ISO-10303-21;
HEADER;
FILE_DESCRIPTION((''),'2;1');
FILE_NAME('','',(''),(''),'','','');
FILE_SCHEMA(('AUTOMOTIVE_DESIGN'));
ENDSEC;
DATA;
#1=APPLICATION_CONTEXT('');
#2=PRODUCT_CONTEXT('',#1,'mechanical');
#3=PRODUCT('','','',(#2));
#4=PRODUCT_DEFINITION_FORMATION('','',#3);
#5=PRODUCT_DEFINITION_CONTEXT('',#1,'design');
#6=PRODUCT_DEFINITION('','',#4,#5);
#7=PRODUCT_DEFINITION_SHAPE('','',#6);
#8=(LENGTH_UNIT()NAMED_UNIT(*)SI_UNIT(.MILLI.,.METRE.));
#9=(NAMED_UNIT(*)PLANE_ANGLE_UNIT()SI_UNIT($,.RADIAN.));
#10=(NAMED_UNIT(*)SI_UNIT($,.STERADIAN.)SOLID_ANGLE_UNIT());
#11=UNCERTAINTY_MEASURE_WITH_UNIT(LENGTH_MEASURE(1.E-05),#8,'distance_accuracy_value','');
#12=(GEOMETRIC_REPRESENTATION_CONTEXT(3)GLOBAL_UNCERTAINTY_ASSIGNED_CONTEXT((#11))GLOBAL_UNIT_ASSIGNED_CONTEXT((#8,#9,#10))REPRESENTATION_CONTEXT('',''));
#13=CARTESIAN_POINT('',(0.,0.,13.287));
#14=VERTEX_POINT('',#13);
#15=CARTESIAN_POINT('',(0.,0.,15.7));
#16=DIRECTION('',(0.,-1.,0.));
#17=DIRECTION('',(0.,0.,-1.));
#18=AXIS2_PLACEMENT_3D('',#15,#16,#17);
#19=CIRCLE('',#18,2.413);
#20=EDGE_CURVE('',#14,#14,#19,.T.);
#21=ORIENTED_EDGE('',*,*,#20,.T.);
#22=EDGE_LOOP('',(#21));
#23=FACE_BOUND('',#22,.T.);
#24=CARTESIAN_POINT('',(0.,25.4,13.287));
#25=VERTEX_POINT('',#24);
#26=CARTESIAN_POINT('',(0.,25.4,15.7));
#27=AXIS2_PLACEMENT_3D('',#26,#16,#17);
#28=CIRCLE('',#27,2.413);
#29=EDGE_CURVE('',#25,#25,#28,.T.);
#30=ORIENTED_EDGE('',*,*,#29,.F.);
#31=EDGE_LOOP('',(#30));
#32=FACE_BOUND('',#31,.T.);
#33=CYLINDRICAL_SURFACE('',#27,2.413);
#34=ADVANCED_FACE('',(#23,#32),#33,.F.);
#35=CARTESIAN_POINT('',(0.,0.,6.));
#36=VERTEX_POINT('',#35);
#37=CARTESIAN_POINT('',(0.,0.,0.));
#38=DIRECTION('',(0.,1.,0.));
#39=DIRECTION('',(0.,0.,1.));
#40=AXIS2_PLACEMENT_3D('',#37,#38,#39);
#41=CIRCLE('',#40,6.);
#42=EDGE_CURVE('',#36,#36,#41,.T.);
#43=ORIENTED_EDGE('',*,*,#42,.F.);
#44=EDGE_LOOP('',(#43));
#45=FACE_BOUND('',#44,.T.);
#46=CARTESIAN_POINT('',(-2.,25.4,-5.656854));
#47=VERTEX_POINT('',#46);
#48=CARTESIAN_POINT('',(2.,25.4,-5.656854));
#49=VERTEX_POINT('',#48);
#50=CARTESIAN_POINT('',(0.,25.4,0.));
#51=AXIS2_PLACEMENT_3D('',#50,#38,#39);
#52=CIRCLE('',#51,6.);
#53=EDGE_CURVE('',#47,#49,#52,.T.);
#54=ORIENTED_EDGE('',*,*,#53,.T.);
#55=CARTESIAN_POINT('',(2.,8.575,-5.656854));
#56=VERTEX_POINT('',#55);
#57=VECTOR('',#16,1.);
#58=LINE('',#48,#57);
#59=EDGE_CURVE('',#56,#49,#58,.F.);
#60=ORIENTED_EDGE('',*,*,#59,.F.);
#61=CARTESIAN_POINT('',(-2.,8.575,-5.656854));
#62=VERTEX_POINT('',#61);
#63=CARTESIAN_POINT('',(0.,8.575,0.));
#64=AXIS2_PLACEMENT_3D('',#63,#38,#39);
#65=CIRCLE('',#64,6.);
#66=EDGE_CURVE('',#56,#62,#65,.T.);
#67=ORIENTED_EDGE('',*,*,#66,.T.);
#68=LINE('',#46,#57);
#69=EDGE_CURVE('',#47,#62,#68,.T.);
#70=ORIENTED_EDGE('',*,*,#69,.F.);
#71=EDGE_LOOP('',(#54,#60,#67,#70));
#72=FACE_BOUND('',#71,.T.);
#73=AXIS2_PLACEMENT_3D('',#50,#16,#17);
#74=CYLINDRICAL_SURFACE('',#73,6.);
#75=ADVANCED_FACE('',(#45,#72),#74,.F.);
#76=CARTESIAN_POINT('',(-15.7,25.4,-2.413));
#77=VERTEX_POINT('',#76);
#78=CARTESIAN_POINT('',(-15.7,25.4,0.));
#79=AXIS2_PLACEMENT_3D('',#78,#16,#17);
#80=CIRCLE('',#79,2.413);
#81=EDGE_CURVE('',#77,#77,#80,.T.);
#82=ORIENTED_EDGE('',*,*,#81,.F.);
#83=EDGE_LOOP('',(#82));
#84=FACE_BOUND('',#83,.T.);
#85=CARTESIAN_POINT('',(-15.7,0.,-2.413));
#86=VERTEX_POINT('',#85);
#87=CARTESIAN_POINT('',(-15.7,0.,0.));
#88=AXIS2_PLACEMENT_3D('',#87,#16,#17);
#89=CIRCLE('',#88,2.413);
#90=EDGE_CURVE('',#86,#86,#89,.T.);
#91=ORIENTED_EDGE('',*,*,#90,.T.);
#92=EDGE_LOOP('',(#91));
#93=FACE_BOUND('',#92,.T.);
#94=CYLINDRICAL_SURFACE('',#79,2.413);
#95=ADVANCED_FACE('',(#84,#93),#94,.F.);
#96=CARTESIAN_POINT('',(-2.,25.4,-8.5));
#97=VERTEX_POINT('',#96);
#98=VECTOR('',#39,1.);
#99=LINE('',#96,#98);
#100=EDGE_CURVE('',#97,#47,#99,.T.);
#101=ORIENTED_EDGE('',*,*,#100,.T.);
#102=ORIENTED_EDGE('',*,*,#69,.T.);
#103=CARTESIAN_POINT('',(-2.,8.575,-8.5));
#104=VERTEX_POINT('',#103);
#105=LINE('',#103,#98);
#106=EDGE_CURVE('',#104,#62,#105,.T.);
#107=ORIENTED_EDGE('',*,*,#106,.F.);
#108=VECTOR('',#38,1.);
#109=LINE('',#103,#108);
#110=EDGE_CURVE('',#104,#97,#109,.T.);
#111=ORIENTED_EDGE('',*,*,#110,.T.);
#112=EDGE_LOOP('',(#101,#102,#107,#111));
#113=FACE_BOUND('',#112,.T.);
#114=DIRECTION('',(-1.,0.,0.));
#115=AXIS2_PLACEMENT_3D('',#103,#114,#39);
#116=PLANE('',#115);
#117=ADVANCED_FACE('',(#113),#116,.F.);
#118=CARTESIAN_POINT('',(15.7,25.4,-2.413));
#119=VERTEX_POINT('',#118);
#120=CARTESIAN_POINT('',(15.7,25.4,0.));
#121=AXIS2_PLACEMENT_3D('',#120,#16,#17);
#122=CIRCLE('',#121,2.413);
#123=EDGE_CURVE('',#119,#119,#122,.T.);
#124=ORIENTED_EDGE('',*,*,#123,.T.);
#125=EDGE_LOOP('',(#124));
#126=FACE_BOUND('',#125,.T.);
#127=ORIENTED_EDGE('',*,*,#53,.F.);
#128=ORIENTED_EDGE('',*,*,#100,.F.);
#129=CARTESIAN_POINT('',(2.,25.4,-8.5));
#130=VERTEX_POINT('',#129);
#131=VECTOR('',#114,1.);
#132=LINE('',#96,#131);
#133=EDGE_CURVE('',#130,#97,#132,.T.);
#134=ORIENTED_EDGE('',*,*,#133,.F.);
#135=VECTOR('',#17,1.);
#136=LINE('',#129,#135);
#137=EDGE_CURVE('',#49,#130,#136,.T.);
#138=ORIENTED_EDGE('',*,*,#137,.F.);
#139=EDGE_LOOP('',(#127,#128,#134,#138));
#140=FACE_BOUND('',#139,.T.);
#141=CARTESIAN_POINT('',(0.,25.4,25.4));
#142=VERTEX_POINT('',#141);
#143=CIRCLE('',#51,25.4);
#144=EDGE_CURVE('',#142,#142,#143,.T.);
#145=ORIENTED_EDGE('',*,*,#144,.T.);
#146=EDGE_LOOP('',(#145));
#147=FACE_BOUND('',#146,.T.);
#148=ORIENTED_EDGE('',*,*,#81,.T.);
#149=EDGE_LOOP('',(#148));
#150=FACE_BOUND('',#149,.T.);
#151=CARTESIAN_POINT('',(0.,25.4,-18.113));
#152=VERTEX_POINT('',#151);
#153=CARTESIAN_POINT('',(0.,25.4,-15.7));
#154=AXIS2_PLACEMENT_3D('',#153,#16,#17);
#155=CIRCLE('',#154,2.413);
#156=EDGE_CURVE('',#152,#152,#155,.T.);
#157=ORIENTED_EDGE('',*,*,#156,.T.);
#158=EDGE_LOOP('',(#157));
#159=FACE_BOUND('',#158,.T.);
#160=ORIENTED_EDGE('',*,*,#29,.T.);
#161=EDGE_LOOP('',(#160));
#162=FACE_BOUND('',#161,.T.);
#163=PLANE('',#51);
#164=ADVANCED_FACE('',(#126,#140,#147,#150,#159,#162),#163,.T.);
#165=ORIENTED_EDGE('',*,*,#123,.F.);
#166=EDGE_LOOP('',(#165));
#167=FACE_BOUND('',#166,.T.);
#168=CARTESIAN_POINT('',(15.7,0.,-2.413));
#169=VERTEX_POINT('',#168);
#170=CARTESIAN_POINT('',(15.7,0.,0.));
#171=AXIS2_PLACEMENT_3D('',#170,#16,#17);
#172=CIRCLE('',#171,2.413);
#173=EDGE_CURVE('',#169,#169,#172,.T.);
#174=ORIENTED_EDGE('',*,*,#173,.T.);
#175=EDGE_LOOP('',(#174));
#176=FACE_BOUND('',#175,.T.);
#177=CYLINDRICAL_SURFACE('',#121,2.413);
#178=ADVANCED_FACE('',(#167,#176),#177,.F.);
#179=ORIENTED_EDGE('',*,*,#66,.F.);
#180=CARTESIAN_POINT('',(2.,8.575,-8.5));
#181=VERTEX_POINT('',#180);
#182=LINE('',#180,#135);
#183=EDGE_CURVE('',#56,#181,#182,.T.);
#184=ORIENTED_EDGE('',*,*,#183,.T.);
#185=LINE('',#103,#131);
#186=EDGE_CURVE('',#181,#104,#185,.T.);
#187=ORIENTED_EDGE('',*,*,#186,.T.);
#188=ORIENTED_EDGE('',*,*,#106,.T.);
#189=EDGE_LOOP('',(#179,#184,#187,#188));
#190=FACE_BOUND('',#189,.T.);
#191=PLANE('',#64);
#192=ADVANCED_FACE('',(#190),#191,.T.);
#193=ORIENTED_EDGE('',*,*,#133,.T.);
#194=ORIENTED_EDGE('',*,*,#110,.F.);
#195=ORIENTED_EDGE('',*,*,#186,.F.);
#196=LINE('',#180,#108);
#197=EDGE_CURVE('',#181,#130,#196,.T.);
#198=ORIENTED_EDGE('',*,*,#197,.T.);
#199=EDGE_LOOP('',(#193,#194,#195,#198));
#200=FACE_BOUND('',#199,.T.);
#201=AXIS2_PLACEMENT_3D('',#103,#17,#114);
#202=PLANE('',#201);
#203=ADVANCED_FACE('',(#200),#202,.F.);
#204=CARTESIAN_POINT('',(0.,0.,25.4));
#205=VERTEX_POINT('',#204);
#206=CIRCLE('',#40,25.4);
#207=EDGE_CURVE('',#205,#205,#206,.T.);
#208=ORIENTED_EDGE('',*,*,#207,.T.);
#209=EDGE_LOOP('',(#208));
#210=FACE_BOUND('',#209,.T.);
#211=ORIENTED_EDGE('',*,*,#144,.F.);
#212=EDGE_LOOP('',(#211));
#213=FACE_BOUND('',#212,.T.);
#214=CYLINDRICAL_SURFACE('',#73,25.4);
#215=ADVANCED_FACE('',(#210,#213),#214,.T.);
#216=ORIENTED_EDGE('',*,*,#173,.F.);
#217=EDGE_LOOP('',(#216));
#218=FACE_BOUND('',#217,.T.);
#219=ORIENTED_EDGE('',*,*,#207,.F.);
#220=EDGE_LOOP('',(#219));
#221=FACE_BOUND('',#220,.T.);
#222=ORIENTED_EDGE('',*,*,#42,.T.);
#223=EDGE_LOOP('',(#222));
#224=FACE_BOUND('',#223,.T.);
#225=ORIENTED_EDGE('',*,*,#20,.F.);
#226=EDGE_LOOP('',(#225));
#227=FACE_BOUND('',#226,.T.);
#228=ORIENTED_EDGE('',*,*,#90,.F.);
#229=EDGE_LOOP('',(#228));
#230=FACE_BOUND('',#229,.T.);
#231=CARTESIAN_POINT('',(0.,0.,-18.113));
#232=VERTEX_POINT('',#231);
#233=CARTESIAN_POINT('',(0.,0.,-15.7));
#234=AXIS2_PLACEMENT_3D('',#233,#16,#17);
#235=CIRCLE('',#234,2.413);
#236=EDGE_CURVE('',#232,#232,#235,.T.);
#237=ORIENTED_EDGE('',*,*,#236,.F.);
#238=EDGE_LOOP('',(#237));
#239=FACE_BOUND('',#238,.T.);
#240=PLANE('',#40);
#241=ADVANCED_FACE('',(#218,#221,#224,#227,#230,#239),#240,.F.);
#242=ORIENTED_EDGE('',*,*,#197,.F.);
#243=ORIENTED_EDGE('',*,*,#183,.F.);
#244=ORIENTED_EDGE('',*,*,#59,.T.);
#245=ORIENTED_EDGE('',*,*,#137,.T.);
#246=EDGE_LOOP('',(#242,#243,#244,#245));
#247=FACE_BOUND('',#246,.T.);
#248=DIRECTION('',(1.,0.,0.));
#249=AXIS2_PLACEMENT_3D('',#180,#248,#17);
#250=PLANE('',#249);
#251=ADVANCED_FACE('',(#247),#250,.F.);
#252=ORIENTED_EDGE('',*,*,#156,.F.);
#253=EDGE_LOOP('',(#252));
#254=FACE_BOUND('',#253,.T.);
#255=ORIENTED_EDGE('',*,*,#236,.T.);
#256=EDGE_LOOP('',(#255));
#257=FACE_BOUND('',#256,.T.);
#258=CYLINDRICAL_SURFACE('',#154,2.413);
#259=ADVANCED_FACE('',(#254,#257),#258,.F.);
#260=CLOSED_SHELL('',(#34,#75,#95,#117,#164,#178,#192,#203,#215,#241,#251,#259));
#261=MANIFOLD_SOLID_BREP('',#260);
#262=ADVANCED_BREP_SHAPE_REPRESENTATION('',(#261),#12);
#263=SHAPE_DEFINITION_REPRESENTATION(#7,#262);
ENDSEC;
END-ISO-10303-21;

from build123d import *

# Parameters (mm, degrees)
SKETCH1_R           = 25.4
SKETCH1_R_2         = 6
BOSS_EXTRUDE1_DEPTH = 25.4
SKETCH2_W           = 4
SKETCH2_H           = 5
CUT_EXTRUDE1_DEPTH  = 16.825
SKETCH3_R           = 2.413
CUT_EXTRUDE2_DEPTH  = 26.4


with BuildPart() as part:
    # Sketch1 → Boss-Extrude1 (new body)
    with BuildSketch(Plane(origin=(0, 0, 0), x_dir=(1, 0, 0), z_dir=(0, 1, 0))):
        Circle(SKETCH1_R)
        Circle(SKETCH1_R_2, mode=Mode.SUBTRACT)
    extrude(amount=BOSS_EXTRUDE1_DEPTH)

    # Sketch2 → Cut-Extrude1 (cut)
    with BuildSketch(Plane(origin=(0, 25.4, 0), x_dir=(1, 0, 0), z_dir=(0, 1, 0))):
        with Locations((0, 6)):
            Rectangle(SKETCH2_W, SKETCH2_H)
    extrude(amount=-CUT_EXTRUDE1_DEPTH, mode=Mode.SUBTRACT)

    # Sketch3 → Cut-Extrude2 (cut, through all)
    with BuildSketch(Plane.XZ):
        with Locations((0, -15.7)):
            Circle(SKETCH3_R)
        with Locations((-15.7, 0)):
            Circle(SKETCH3_R)
        with Locations((0, 15.7)):
            Circle(SKETCH3_R)
        with Locations((15.7, 0)):
            Circle(SKETCH3_R)
    extrude(amount=-CUT_EXTRUDE2_DEPTH, mode=Mode.SUBTRACT)


solid = part.part
